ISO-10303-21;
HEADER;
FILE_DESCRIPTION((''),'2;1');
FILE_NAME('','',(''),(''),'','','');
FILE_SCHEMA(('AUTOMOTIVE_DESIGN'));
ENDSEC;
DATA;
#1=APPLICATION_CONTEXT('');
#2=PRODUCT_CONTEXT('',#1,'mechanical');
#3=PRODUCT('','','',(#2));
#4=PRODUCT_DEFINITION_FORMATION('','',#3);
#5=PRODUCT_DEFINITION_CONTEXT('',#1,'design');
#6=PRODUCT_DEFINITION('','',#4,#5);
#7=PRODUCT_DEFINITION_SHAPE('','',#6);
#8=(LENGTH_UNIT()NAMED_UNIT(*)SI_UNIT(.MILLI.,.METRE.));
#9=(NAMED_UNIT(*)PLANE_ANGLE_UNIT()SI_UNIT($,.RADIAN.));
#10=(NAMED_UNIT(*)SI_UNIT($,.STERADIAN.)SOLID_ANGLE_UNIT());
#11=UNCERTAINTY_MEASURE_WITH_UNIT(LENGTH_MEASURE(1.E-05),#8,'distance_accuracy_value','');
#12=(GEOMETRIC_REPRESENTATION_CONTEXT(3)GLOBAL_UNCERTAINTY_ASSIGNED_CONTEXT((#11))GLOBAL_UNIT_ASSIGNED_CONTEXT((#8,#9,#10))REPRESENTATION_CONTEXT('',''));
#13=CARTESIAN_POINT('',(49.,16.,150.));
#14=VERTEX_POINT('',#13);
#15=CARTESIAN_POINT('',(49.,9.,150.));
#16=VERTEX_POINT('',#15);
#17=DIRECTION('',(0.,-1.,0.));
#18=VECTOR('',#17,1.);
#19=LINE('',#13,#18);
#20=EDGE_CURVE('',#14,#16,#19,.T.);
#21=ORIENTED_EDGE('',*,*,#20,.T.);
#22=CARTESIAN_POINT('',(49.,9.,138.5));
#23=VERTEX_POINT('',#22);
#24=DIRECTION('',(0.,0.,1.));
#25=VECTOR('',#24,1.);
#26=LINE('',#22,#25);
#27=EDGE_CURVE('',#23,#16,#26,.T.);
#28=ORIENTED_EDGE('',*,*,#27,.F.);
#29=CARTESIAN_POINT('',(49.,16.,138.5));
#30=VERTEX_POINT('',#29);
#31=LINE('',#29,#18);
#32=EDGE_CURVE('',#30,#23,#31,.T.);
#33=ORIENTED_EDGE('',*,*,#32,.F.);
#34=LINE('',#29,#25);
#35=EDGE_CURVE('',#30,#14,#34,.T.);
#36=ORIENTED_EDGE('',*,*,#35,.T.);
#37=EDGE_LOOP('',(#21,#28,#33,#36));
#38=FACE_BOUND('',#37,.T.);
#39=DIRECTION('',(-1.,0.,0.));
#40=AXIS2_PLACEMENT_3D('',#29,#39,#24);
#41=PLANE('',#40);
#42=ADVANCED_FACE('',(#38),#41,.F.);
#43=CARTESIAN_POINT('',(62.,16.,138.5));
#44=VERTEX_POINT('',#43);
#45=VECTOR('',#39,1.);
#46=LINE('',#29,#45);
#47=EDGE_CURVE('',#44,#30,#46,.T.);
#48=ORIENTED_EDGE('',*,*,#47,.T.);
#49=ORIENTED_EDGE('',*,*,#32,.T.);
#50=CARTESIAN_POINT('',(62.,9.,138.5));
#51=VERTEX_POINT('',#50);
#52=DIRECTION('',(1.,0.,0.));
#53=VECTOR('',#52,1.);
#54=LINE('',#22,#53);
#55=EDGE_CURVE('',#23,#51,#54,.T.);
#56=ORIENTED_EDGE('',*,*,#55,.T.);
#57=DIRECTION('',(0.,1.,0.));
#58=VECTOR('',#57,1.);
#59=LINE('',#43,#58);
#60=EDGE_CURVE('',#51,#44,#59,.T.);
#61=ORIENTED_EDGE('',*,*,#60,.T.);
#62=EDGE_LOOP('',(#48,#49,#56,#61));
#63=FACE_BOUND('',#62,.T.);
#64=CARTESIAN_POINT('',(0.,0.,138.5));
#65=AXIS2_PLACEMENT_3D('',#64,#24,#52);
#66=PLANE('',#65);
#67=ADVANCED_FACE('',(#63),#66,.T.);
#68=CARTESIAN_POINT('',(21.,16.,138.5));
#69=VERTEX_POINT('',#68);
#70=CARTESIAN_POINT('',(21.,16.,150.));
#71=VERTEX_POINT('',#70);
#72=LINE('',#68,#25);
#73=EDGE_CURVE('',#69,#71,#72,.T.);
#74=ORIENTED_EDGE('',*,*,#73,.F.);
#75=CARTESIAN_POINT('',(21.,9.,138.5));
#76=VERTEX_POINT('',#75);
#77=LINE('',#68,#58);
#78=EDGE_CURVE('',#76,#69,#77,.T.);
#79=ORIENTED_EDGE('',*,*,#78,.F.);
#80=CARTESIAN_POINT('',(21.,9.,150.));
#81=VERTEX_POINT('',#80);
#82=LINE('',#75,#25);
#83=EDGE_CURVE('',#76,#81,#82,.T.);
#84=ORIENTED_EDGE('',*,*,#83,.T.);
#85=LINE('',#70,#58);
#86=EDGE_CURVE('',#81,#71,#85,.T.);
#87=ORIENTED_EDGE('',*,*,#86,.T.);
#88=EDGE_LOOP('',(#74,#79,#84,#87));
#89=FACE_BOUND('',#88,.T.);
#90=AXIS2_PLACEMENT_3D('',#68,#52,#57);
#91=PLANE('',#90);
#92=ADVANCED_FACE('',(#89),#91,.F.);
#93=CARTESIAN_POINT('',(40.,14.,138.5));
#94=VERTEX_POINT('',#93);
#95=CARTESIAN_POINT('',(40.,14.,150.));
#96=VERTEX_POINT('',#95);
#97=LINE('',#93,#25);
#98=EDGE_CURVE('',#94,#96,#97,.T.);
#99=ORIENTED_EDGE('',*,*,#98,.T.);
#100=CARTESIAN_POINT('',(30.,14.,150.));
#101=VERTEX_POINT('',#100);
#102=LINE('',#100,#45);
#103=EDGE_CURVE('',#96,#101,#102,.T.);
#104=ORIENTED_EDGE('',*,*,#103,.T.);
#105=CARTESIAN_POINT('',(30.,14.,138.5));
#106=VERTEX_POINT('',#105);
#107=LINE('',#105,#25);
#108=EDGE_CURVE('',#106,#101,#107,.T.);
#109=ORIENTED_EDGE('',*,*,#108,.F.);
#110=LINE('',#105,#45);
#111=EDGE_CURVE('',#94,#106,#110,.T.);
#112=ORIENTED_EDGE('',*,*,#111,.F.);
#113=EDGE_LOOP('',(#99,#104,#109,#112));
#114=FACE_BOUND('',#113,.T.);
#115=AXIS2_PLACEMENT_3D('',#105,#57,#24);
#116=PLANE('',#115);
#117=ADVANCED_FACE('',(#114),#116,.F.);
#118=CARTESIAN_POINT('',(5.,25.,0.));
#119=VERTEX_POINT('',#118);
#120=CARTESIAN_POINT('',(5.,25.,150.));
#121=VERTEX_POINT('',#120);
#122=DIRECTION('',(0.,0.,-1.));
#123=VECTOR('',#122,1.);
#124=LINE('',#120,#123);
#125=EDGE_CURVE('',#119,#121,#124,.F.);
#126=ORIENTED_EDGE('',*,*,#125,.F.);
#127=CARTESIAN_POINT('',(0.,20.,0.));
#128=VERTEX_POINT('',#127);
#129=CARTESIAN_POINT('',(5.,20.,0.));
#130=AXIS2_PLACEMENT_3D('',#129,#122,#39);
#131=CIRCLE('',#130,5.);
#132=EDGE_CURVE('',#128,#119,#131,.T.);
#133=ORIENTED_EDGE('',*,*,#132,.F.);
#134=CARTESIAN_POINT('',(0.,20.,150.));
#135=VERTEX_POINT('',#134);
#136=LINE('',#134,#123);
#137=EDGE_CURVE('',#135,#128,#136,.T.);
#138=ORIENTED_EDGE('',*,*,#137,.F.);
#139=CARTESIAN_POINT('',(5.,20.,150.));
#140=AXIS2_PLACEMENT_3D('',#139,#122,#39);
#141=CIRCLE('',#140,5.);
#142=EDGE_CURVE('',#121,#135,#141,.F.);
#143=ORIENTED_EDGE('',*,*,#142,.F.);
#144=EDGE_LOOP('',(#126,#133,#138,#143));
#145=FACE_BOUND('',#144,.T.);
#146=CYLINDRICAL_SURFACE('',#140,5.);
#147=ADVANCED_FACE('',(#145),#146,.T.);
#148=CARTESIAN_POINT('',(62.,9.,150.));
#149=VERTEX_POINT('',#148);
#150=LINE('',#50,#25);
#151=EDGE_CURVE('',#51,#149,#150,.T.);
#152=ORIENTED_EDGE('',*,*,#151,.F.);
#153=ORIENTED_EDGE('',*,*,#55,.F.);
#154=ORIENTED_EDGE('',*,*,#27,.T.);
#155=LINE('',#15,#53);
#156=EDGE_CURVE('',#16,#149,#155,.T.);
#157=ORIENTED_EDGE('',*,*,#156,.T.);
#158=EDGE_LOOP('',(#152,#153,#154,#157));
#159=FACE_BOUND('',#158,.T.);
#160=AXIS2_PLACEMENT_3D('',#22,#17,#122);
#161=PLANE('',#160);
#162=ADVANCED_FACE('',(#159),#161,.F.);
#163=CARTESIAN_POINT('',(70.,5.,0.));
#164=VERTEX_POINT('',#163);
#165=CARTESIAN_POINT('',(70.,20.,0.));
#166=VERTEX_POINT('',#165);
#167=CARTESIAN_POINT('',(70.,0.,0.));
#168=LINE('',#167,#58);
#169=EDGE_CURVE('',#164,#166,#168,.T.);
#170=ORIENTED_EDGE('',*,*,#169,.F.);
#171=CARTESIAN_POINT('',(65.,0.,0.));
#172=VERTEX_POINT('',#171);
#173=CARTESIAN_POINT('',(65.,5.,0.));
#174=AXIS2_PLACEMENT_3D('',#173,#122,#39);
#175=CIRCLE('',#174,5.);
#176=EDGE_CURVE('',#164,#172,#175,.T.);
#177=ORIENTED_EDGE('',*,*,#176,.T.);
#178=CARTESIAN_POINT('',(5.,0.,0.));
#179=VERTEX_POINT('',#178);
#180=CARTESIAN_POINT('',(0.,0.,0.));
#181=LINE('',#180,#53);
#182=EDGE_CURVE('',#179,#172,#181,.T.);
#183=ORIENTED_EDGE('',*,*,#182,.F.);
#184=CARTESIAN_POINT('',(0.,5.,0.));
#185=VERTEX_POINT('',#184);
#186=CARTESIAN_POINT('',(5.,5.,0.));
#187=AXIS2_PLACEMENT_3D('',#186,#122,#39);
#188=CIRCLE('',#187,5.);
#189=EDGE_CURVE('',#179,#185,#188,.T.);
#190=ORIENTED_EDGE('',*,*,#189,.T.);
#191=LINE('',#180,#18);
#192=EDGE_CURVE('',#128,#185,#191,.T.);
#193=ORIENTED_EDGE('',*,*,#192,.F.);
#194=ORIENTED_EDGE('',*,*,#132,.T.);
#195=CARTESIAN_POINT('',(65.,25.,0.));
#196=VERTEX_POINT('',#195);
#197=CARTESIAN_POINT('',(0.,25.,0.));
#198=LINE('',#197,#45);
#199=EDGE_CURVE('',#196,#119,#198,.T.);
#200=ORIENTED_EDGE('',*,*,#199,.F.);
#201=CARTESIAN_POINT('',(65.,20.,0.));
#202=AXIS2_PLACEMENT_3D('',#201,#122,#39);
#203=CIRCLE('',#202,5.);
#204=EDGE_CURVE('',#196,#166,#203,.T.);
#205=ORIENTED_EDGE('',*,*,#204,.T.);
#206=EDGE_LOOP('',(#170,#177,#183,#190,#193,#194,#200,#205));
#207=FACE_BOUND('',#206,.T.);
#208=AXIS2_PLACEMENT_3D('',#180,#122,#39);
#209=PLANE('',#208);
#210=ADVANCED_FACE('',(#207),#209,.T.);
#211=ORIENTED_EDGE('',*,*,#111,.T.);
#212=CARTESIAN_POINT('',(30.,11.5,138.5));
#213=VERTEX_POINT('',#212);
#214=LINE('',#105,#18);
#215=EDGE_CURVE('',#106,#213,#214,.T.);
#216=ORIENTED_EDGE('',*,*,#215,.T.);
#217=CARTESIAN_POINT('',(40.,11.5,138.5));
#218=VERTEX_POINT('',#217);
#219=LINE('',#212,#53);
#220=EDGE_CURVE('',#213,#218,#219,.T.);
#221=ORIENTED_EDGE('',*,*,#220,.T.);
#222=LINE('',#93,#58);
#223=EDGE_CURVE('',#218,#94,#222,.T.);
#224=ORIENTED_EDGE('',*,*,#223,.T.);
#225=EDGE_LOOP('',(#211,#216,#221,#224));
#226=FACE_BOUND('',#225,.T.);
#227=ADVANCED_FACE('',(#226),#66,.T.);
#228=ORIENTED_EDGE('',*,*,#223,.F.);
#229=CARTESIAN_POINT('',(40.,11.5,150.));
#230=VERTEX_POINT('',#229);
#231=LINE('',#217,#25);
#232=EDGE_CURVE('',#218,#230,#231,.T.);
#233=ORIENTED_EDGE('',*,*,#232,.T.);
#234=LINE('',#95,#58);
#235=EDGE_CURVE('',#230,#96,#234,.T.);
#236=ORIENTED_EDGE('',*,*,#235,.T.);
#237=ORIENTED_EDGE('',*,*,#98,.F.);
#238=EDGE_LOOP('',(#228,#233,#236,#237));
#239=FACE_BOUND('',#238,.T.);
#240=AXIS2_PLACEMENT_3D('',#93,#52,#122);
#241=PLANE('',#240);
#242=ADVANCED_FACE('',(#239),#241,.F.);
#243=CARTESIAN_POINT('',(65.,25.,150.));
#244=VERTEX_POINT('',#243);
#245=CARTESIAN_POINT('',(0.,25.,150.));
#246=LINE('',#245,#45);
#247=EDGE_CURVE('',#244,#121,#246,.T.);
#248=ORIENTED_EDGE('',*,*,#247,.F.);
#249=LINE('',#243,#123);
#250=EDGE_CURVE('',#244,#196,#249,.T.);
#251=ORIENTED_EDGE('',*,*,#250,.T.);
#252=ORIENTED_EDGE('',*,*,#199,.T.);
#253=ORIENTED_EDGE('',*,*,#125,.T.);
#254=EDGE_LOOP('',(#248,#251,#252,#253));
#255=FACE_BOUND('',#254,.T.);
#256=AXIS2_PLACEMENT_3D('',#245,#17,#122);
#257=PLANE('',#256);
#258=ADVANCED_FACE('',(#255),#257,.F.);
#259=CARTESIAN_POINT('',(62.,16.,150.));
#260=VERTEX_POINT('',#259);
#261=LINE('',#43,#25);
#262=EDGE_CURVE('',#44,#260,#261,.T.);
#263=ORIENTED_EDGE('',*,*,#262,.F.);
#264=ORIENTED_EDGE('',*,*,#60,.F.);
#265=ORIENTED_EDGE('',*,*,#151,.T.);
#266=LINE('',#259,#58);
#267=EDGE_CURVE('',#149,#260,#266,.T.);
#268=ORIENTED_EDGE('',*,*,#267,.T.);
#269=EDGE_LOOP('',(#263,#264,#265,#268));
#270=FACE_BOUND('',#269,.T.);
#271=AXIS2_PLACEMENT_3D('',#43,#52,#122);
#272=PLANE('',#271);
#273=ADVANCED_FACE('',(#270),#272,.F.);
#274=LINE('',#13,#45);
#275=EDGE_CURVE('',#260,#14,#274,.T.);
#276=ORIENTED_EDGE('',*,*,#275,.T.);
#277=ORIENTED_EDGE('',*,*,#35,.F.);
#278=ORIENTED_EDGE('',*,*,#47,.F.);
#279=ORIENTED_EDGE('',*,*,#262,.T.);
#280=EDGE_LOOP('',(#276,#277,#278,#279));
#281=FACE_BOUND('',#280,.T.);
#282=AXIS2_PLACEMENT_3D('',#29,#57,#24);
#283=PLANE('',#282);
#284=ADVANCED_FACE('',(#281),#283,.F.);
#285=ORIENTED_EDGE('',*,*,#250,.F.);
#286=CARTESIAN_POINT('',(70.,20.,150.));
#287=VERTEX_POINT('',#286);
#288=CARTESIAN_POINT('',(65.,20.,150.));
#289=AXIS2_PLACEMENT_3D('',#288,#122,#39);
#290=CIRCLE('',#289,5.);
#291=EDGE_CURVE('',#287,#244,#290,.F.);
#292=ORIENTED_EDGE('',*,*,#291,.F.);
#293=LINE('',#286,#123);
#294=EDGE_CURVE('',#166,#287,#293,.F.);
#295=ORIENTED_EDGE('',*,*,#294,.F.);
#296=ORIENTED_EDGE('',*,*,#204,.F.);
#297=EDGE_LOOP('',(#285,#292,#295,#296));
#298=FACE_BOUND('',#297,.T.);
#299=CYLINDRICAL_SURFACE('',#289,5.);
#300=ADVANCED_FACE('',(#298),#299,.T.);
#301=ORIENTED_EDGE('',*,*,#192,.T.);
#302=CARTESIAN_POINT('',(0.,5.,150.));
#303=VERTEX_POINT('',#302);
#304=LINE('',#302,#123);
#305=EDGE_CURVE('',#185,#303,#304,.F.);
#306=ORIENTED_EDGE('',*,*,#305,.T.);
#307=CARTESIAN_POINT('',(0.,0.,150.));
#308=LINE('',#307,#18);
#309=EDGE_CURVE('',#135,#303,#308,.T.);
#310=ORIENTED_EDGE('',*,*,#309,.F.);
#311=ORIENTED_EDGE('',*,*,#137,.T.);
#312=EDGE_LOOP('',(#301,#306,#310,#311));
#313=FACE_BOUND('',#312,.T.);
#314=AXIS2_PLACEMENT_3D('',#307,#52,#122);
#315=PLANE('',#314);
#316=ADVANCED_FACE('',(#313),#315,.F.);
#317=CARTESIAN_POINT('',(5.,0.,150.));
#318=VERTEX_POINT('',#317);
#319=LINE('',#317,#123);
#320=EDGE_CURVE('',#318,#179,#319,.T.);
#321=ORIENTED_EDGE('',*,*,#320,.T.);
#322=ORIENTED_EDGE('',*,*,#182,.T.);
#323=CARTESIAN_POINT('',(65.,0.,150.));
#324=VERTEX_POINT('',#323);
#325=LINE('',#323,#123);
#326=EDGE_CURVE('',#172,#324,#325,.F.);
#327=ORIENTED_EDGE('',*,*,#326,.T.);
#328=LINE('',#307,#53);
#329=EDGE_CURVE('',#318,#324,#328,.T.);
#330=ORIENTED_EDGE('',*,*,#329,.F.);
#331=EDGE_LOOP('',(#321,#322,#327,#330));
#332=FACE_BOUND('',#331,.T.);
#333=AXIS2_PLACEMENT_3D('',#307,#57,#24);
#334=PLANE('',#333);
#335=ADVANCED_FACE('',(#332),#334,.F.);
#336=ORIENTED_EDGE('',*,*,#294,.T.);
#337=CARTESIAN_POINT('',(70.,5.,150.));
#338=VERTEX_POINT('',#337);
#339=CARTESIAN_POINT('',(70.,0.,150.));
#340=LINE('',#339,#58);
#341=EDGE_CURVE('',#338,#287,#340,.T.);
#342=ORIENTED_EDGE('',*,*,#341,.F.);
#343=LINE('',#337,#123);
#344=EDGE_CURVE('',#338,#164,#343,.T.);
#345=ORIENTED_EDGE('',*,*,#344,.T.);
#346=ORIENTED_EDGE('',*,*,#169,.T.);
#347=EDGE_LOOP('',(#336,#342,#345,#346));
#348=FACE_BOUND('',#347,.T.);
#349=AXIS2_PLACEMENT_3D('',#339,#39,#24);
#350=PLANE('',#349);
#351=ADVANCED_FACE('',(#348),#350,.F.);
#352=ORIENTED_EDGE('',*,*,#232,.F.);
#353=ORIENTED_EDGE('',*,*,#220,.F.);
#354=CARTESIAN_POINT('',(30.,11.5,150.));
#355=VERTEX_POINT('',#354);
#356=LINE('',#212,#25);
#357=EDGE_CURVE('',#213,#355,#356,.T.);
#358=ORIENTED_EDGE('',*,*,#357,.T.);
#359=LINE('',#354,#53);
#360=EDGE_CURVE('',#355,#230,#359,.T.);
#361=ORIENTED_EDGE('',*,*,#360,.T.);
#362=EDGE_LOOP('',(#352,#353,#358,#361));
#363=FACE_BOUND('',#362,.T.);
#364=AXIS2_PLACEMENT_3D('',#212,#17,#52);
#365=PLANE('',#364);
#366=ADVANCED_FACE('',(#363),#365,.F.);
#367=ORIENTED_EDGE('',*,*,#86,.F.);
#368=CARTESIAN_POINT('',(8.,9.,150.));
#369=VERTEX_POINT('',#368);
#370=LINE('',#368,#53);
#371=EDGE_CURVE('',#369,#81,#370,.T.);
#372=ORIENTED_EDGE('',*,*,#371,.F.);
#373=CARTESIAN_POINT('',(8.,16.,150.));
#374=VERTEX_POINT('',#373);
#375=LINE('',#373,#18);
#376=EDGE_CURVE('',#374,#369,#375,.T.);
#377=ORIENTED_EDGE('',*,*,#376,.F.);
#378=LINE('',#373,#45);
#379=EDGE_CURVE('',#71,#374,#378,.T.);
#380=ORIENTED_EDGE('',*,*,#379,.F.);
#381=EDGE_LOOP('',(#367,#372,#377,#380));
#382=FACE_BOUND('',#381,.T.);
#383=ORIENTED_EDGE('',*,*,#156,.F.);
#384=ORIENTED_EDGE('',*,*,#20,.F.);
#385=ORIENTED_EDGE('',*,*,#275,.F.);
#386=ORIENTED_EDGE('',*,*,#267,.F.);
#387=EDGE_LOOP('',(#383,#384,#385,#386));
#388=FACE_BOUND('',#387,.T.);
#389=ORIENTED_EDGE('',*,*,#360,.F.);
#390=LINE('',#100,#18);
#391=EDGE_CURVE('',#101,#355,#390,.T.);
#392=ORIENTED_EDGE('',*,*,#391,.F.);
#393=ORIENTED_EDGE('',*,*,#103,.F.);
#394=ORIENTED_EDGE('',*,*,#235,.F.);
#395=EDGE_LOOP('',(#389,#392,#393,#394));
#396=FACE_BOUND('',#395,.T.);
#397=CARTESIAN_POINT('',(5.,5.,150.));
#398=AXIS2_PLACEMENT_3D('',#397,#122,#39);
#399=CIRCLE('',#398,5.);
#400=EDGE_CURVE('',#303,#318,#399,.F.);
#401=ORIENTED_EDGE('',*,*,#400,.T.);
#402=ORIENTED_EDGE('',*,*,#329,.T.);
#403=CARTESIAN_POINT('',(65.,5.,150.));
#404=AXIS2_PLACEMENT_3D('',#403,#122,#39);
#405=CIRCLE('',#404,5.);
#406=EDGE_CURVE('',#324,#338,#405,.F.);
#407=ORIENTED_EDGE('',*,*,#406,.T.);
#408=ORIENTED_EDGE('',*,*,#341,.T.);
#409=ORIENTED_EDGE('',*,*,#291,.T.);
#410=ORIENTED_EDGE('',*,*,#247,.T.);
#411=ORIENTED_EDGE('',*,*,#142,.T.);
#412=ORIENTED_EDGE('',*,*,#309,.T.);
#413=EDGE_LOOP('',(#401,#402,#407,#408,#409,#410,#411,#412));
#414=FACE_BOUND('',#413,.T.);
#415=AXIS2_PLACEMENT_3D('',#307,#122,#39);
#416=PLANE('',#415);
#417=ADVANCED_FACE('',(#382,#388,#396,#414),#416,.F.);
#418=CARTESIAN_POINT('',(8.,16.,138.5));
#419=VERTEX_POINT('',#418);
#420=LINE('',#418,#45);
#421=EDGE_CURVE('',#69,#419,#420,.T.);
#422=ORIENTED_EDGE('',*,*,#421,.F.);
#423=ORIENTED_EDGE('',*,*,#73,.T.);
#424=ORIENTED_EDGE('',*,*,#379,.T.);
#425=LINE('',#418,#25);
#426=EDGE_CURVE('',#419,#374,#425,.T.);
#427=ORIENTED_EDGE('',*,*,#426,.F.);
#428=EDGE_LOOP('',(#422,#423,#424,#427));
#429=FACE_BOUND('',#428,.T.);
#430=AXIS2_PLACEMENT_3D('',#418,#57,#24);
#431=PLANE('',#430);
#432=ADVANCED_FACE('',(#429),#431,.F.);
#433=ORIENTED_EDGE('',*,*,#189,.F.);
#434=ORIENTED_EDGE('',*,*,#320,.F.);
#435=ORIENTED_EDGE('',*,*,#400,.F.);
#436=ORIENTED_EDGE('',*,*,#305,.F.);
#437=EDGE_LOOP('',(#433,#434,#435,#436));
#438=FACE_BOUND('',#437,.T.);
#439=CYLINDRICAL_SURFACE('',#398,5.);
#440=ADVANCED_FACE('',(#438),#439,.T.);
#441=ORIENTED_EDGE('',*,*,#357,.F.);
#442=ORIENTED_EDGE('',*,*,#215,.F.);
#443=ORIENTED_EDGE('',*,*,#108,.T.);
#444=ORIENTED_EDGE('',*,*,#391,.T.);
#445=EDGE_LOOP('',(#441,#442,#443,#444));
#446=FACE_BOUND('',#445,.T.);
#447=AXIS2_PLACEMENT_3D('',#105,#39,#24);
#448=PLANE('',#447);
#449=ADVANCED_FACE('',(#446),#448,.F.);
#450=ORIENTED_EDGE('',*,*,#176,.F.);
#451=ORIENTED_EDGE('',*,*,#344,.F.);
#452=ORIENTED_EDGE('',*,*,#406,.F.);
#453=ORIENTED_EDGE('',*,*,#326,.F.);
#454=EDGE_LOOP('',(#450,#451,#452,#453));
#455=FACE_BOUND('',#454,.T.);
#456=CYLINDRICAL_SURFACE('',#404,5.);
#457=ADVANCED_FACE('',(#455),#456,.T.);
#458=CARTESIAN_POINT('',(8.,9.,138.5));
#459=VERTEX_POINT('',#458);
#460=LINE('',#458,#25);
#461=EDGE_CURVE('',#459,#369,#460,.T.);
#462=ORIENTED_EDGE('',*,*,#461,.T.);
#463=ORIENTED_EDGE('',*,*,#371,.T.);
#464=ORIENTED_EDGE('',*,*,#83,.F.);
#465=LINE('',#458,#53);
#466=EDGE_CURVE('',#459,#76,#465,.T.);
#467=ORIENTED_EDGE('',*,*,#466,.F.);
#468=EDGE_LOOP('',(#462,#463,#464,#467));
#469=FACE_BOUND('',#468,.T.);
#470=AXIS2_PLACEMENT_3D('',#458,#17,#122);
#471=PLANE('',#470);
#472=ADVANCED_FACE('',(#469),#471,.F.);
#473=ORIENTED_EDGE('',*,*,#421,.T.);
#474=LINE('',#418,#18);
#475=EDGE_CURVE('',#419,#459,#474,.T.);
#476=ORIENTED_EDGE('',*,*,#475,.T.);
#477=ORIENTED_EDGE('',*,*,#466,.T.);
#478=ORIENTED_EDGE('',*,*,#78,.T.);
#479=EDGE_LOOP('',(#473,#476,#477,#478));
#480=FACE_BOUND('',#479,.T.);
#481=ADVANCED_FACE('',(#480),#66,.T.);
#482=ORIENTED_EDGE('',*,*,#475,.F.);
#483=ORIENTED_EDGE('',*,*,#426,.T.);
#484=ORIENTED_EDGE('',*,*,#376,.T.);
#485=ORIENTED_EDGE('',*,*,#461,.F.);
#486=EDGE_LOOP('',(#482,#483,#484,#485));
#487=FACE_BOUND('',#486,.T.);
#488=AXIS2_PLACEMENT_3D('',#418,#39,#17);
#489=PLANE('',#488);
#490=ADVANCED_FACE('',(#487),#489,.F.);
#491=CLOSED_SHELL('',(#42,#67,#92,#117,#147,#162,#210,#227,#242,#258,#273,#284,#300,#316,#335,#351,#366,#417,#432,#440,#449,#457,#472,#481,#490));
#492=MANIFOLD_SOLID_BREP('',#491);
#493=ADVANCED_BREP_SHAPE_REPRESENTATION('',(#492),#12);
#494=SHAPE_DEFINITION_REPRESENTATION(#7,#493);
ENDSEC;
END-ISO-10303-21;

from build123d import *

# Parameters (mm, degrees)
ESQUISSE1_W             = 70
ESQUISSE1_H             = 25
BOSS_EXTRU_1_DEPTH      = 150
CONG_1_R                = 5
ESQUISSE2_W             = 13
ESQUISSE2_H             = 7
ESQUISSE2_W_2           = 10
ESQUISSE2_H_2           = 2.5
ENL_V_MAT_EXTRU_1_DEPTH = 11.5


with BuildPart() as part:
    # Esquisse1 → Boss.-Extru.1 (new body)
    with BuildSketch(Plane.XY):
        with Locations((35, 12.5)):
            Rectangle(ESQUISSE1_W, ESQUISSE1_H)
    extrude(amount=BOSS_EXTRU_1_DEPTH)

    # Congé1
    cong_1_edges = [part.edges().sort_by_distance(p)[0] for p in [
        (0, 25, 75),
        (70, 25, 75),
        (70, 0, 75),
        (0, 0, 75),
    ]]
    fillet(cong_1_edges, radius=CONG_1_R)

    # Esquisse2 → Enlèv. mat.-Extru.1 (cut)
    with BuildSketch(Plane.XY.offset(150)):
        with Locations((14.5, 12.5)):
            Rectangle(ESQUISSE2_W, ESQUISSE2_H)
        with Locations((55.5, 12.5)):
            Rectangle(ESQUISSE2_W, ESQUISSE2_H)
        with Locations((35, 12.75)):
            Rectangle(ESQUISSE2_W_2, ESQUISSE2_H_2)
    extrude(amount=-ENL_V_MAT_EXTRU_1_DEPTH, mode=Mode.SUBTRACT)


solid = part.part
